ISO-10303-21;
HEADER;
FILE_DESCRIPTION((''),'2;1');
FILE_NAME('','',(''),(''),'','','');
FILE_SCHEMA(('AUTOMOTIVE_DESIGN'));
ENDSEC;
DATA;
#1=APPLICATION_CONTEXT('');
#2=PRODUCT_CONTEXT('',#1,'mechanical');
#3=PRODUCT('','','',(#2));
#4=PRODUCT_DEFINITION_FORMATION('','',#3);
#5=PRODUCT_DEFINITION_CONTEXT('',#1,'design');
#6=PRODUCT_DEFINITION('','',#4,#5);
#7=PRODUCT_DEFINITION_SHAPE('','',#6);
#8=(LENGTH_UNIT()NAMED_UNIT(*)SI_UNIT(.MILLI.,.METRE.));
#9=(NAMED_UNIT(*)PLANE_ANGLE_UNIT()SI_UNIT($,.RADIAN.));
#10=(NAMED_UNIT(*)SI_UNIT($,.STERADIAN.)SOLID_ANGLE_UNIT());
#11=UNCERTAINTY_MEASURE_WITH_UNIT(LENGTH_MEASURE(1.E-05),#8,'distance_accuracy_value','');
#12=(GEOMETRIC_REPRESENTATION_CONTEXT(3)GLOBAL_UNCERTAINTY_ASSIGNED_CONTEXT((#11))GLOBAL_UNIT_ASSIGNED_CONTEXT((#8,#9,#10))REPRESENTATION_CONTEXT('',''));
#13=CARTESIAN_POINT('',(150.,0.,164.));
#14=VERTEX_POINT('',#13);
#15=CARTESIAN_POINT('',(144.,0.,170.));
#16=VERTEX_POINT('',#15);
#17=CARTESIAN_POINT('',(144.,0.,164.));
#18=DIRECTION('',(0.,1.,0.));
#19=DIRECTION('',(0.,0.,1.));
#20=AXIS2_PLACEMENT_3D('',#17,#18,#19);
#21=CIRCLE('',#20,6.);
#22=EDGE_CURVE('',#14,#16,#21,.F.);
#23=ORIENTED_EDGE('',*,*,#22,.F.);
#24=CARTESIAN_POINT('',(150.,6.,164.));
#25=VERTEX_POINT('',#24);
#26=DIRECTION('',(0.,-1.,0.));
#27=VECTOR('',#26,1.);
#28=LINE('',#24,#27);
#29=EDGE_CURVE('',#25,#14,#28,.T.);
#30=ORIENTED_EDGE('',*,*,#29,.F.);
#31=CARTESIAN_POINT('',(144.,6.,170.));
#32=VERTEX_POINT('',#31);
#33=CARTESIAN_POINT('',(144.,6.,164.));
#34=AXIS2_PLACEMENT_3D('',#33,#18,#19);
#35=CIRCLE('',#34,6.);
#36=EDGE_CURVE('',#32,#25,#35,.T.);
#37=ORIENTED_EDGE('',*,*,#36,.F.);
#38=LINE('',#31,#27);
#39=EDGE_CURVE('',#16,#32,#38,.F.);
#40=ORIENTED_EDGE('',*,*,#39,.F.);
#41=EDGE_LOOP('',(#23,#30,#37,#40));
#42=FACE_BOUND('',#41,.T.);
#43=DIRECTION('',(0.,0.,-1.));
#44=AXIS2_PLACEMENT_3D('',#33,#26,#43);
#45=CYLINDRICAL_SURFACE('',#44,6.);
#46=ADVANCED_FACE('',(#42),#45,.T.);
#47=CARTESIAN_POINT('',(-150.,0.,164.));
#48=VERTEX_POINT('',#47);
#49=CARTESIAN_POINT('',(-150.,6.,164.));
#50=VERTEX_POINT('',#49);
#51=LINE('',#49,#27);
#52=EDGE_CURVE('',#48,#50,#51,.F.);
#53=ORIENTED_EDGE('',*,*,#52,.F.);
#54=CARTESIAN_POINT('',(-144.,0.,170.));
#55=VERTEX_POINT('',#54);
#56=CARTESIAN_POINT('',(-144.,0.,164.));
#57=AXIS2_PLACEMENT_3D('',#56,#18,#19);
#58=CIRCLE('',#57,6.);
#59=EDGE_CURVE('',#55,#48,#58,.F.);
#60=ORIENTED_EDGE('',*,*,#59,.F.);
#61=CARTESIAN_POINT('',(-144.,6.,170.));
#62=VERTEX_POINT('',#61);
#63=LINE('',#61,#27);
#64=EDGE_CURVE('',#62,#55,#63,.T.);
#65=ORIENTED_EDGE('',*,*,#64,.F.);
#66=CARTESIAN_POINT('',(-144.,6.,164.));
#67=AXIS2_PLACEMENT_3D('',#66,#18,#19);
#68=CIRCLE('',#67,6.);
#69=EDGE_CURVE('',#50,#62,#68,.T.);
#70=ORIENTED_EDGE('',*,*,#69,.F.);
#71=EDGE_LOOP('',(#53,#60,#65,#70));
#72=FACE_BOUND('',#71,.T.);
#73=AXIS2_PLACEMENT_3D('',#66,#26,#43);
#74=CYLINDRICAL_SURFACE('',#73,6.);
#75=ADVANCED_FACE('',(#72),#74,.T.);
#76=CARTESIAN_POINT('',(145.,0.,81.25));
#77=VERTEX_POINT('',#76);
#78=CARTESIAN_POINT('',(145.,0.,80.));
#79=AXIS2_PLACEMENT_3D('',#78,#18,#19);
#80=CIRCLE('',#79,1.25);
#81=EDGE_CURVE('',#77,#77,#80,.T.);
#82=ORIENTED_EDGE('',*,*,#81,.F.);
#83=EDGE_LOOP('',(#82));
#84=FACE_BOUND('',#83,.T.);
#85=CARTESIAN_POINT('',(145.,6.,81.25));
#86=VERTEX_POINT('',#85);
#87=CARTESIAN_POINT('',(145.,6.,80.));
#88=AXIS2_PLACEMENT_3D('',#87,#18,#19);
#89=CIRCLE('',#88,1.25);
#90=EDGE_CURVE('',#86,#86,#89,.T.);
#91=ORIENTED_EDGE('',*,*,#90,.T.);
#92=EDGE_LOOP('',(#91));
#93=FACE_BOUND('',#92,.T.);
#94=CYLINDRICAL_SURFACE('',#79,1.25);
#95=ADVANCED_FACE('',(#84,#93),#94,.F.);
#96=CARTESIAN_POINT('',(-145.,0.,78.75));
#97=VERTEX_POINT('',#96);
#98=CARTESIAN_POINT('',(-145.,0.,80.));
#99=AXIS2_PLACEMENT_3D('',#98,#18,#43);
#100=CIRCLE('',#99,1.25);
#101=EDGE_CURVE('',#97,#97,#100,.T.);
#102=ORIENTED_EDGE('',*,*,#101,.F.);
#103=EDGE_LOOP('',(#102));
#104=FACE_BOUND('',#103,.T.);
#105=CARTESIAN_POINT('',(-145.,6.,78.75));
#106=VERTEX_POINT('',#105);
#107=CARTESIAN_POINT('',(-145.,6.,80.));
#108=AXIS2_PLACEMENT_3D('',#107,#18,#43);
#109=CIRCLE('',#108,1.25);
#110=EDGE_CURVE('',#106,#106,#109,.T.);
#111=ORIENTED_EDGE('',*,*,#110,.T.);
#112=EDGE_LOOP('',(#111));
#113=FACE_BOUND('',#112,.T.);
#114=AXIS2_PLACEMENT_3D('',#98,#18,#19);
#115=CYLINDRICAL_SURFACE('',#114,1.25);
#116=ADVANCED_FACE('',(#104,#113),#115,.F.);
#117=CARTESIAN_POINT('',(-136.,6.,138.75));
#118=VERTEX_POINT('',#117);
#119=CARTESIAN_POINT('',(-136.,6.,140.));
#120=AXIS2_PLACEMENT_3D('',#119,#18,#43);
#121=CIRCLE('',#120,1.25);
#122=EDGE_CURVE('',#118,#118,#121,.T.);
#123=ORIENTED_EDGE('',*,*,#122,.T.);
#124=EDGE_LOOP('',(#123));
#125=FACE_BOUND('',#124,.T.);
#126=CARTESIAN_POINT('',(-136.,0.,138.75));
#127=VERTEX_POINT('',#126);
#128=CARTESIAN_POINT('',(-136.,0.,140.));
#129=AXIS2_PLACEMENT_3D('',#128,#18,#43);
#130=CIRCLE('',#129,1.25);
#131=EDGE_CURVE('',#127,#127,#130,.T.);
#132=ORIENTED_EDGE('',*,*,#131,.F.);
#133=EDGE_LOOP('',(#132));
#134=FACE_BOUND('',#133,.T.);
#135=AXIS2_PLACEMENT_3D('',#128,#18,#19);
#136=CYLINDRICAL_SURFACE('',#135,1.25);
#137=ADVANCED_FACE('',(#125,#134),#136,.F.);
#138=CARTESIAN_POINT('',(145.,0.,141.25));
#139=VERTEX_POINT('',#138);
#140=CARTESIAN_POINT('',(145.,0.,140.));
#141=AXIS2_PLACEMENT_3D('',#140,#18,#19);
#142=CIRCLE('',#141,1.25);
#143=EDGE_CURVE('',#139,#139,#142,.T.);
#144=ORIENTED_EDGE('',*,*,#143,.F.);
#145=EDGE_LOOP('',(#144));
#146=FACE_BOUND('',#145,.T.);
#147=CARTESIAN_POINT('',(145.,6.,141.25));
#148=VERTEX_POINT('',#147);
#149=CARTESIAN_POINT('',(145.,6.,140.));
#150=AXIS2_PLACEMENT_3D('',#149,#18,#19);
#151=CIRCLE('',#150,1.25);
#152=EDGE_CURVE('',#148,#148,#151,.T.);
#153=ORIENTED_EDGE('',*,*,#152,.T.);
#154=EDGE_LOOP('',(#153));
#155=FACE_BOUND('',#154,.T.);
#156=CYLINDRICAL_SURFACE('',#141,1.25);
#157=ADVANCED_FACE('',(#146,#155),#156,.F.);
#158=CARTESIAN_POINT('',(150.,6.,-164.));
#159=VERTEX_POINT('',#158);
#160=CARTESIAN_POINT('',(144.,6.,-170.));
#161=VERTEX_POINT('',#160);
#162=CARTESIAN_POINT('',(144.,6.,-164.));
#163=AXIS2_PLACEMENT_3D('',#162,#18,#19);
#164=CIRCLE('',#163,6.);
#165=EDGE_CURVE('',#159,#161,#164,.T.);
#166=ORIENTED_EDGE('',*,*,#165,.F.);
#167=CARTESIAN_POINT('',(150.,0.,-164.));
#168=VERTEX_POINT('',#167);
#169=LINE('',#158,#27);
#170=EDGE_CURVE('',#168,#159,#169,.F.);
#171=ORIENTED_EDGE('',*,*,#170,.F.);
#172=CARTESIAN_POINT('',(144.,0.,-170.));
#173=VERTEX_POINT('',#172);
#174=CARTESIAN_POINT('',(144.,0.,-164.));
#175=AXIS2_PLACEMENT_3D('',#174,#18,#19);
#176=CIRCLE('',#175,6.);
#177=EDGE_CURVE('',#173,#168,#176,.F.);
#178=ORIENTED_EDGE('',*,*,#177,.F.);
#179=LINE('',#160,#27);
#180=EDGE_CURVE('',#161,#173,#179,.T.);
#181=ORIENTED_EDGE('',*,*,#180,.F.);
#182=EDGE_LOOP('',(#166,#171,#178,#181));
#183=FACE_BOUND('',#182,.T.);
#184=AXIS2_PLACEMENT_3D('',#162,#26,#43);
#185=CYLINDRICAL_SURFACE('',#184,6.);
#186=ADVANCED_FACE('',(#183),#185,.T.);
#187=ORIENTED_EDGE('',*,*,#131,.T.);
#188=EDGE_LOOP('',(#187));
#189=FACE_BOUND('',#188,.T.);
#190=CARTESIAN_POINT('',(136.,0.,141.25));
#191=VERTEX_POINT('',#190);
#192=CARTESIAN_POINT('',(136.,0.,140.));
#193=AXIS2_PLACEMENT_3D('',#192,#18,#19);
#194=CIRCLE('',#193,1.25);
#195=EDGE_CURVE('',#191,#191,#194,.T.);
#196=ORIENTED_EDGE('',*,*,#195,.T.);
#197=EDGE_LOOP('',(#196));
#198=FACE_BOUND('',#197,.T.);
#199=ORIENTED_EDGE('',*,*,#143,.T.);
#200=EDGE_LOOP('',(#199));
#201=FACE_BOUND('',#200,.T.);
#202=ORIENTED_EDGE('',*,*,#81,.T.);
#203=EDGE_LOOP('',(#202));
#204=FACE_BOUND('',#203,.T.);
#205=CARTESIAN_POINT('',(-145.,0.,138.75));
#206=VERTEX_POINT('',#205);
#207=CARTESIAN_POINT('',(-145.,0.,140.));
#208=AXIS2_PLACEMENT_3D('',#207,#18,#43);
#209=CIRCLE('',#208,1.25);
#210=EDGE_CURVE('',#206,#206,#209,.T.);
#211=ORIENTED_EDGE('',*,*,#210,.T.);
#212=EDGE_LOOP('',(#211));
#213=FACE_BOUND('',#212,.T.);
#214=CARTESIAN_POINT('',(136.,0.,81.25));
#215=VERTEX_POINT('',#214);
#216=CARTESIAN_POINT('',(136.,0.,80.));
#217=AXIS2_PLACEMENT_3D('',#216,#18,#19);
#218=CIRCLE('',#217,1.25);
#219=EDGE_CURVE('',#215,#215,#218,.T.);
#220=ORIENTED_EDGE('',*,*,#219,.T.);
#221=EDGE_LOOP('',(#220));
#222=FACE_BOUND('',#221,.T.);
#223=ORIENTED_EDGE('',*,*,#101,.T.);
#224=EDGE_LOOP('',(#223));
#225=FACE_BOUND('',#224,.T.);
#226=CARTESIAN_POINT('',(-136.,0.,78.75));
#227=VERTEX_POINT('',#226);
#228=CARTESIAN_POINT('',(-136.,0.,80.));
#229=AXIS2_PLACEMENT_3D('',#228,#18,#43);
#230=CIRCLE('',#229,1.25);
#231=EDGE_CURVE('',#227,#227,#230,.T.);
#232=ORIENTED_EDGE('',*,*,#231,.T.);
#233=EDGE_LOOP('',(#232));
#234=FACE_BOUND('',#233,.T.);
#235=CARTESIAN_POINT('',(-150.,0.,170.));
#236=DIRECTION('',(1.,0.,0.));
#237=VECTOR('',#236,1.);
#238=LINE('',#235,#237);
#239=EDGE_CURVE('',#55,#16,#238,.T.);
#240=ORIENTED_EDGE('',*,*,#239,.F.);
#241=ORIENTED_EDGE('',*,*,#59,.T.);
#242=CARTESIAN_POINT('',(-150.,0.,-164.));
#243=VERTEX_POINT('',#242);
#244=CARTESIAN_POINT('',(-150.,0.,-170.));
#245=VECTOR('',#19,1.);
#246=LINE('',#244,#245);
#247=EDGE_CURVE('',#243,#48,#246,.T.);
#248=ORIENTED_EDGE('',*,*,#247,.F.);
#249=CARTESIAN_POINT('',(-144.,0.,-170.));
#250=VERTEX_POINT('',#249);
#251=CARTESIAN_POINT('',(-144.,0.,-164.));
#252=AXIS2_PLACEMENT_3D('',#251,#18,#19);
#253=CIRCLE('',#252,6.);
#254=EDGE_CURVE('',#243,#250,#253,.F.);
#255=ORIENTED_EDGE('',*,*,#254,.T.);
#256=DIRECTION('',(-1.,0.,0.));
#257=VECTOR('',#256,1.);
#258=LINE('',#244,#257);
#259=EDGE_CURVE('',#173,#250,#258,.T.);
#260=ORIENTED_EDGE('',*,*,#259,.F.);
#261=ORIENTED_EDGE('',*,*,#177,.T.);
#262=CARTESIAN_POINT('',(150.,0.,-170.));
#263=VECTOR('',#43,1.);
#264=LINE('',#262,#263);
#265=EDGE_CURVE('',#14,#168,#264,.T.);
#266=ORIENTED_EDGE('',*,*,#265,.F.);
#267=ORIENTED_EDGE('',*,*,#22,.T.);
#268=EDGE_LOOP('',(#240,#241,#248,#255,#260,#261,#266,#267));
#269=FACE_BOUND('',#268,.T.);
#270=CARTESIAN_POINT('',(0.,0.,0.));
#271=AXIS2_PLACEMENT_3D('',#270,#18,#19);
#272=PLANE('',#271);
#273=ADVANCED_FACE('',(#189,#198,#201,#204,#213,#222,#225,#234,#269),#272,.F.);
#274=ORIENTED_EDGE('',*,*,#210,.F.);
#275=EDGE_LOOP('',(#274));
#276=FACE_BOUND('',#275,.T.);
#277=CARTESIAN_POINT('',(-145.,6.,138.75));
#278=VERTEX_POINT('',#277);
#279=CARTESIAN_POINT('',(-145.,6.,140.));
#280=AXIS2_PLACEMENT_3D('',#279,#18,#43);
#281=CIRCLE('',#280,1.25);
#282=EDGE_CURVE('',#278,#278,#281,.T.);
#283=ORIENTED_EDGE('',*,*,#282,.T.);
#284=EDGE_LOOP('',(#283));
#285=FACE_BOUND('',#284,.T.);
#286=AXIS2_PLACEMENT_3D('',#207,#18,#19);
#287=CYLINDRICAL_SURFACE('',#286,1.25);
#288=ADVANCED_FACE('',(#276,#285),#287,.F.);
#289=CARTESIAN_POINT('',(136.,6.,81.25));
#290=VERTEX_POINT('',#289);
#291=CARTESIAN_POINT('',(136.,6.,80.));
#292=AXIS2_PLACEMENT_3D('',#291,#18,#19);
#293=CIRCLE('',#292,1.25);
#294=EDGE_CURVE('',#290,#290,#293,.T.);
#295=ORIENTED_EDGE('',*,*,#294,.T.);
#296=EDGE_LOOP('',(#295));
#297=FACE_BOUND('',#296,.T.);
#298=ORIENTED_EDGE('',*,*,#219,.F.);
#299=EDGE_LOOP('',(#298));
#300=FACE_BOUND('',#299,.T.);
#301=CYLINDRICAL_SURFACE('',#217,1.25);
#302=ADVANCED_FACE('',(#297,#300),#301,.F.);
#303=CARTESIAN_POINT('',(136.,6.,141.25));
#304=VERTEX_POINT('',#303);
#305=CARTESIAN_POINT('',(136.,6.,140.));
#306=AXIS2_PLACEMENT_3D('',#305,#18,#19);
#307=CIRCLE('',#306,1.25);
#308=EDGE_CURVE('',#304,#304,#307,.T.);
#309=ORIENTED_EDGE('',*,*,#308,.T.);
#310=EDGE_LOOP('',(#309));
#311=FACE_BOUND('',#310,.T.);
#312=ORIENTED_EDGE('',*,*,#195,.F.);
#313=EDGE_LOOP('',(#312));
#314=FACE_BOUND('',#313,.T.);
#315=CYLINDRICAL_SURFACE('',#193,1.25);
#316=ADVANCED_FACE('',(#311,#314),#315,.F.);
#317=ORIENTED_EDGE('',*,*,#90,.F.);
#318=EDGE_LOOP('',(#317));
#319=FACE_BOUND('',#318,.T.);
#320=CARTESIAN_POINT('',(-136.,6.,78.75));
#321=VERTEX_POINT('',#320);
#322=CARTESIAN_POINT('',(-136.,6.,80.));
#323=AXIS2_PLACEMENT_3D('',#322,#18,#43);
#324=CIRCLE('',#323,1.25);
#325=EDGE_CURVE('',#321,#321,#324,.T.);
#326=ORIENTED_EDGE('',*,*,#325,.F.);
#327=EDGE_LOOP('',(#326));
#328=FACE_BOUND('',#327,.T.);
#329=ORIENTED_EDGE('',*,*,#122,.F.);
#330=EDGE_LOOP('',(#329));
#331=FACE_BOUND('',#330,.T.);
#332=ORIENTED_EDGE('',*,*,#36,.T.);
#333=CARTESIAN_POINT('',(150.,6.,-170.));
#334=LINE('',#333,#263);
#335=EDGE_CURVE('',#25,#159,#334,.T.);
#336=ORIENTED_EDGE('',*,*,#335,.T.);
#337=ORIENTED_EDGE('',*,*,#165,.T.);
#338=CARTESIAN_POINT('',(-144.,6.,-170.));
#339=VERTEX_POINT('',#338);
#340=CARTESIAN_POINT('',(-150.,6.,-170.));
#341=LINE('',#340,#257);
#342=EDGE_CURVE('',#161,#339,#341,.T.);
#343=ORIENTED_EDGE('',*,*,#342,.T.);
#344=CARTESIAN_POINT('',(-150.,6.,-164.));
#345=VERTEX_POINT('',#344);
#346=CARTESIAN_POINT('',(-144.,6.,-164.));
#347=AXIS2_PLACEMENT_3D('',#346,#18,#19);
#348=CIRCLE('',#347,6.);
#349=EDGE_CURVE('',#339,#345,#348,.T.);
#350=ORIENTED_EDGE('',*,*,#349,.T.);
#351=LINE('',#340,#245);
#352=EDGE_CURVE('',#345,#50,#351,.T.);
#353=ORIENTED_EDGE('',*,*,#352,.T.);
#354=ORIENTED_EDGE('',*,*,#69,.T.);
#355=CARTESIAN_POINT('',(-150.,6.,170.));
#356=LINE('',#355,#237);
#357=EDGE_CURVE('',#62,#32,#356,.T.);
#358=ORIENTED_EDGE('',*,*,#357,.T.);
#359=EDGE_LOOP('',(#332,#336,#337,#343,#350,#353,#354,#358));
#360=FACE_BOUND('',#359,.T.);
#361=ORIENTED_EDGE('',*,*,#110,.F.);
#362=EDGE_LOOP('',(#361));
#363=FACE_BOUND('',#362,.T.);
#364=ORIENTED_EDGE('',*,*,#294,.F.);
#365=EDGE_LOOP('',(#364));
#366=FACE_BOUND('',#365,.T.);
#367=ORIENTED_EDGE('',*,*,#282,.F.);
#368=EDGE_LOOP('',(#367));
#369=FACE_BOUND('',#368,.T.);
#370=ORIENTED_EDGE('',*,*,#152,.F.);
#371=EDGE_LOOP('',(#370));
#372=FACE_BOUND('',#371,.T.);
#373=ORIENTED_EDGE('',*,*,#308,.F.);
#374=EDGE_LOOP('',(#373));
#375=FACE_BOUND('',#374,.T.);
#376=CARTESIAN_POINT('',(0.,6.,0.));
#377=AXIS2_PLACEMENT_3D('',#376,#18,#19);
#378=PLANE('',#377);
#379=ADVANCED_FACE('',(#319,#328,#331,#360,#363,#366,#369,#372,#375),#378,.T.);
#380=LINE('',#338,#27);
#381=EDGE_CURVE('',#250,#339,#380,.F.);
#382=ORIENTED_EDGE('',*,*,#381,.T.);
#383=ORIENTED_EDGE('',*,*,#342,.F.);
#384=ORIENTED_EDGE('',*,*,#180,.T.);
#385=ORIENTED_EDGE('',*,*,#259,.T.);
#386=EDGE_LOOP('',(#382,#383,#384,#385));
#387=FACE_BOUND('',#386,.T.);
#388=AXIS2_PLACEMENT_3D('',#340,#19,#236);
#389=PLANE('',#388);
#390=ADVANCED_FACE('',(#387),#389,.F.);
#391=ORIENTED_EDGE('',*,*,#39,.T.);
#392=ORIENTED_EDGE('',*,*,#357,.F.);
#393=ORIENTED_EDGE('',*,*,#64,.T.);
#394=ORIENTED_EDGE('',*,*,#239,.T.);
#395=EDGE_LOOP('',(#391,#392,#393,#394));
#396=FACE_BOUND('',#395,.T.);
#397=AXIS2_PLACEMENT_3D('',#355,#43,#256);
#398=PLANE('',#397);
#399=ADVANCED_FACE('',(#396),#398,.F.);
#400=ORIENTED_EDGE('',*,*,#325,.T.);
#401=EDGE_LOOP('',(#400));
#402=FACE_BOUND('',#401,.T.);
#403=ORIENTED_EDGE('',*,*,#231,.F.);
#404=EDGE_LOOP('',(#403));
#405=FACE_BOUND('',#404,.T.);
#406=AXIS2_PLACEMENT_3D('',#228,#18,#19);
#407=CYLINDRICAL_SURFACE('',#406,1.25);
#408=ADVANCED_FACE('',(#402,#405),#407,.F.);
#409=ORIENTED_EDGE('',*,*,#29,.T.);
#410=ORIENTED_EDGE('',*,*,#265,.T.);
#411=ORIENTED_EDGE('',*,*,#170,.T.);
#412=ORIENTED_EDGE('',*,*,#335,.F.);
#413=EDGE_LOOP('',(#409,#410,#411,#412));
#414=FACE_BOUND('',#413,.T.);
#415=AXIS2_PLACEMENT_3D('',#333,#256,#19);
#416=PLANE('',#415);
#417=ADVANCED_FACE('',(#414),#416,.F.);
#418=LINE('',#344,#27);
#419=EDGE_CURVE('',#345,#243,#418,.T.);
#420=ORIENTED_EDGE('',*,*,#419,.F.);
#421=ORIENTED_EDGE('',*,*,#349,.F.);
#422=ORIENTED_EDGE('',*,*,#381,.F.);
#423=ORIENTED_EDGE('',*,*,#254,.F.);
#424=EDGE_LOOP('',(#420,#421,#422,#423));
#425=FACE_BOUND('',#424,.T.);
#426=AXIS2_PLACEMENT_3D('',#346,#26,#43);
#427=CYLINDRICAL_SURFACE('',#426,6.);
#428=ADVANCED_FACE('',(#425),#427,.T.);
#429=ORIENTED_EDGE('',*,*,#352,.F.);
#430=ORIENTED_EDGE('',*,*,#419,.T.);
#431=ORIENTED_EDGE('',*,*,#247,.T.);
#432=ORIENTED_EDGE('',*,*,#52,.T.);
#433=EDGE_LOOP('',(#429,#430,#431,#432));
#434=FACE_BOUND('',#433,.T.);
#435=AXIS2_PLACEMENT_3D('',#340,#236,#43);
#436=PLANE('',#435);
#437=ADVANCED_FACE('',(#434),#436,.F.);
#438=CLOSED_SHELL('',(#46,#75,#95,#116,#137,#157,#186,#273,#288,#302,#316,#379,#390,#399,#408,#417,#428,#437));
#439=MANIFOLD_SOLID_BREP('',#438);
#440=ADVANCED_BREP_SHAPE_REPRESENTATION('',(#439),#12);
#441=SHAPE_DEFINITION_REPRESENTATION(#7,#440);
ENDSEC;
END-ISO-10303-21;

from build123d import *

# Parameters (mm, degrees)
SKETCH1_W           = 300
SKETCH1_H           = 340
BOSS_EXTRUDE1_DEPTH = 6
FILLET1_R           = 6
SKETCH2_R           = 1.25
CUT_EXTRUDE1_DEPTH  = 227.795061675


with BuildPart() as part:
    # Sketch1 → Boss-Extrude1 (new body)
    with BuildSketch(Plane(origin=(0, 0, 0), x_dir=(1, 0, 0), z_dir=(0, 1, 0))):
        Rectangle(SKETCH1_W, SKETCH1_H)
    extrude(amount=BOSS_EXTRUDE1_DEPTH)

    # Fillet1
    fillet1_edges = [part.edges().sort_by_distance(p)[0] for p in [
        (150, 3, 170),
        (-150, 3, 170),
        (-150, 3, -170),
        (150, 3, -170),
    ]]
    fillet(fillet1_edges, radius=FILLET1_R)

    # Sketch2 → Cut-Extrude1 (cut, through all)
    with BuildSketch(Plane(origin=(0, 6, 0), x_dir=(1, 0, 0), z_dir=(0, 1, 0))):
        with Locations(Location((136, -80, 0), (0, 0, 270))):
            Circle(SKETCH2_R)
        with Locations(Location((145, -80, 0), (0, 0, 270))):
            Circle(SKETCH2_R)
        with Locations(Location((145, -140, 0), (0, 0, 270))):
            Circle(SKETCH2_R)
        with Locations(Location((136, -140, 0), (0, 0, 270))):
            Circle(SKETCH2_R)
        with Locations(Location((-136, -140, 0), (0, 0, 90))):
            Circle(SKETCH2_R)
        with Locations(Location((-145, -140, 0), (0, 0, 90))):
            Circle(SKETCH2_R)
        with Locations(Location((-145, -80, 0), (0, 0, 90))):
            Circle(SKETCH2_R)
        with Locations(Location((-136, -80, 0), (0, 0, 90))):
            Circle(SKETCH2_R)
    extrude(amount=-CUT_EXTRUDE1_DEPTH, mode=Mode.SUBTRACT)


solid = part.part
